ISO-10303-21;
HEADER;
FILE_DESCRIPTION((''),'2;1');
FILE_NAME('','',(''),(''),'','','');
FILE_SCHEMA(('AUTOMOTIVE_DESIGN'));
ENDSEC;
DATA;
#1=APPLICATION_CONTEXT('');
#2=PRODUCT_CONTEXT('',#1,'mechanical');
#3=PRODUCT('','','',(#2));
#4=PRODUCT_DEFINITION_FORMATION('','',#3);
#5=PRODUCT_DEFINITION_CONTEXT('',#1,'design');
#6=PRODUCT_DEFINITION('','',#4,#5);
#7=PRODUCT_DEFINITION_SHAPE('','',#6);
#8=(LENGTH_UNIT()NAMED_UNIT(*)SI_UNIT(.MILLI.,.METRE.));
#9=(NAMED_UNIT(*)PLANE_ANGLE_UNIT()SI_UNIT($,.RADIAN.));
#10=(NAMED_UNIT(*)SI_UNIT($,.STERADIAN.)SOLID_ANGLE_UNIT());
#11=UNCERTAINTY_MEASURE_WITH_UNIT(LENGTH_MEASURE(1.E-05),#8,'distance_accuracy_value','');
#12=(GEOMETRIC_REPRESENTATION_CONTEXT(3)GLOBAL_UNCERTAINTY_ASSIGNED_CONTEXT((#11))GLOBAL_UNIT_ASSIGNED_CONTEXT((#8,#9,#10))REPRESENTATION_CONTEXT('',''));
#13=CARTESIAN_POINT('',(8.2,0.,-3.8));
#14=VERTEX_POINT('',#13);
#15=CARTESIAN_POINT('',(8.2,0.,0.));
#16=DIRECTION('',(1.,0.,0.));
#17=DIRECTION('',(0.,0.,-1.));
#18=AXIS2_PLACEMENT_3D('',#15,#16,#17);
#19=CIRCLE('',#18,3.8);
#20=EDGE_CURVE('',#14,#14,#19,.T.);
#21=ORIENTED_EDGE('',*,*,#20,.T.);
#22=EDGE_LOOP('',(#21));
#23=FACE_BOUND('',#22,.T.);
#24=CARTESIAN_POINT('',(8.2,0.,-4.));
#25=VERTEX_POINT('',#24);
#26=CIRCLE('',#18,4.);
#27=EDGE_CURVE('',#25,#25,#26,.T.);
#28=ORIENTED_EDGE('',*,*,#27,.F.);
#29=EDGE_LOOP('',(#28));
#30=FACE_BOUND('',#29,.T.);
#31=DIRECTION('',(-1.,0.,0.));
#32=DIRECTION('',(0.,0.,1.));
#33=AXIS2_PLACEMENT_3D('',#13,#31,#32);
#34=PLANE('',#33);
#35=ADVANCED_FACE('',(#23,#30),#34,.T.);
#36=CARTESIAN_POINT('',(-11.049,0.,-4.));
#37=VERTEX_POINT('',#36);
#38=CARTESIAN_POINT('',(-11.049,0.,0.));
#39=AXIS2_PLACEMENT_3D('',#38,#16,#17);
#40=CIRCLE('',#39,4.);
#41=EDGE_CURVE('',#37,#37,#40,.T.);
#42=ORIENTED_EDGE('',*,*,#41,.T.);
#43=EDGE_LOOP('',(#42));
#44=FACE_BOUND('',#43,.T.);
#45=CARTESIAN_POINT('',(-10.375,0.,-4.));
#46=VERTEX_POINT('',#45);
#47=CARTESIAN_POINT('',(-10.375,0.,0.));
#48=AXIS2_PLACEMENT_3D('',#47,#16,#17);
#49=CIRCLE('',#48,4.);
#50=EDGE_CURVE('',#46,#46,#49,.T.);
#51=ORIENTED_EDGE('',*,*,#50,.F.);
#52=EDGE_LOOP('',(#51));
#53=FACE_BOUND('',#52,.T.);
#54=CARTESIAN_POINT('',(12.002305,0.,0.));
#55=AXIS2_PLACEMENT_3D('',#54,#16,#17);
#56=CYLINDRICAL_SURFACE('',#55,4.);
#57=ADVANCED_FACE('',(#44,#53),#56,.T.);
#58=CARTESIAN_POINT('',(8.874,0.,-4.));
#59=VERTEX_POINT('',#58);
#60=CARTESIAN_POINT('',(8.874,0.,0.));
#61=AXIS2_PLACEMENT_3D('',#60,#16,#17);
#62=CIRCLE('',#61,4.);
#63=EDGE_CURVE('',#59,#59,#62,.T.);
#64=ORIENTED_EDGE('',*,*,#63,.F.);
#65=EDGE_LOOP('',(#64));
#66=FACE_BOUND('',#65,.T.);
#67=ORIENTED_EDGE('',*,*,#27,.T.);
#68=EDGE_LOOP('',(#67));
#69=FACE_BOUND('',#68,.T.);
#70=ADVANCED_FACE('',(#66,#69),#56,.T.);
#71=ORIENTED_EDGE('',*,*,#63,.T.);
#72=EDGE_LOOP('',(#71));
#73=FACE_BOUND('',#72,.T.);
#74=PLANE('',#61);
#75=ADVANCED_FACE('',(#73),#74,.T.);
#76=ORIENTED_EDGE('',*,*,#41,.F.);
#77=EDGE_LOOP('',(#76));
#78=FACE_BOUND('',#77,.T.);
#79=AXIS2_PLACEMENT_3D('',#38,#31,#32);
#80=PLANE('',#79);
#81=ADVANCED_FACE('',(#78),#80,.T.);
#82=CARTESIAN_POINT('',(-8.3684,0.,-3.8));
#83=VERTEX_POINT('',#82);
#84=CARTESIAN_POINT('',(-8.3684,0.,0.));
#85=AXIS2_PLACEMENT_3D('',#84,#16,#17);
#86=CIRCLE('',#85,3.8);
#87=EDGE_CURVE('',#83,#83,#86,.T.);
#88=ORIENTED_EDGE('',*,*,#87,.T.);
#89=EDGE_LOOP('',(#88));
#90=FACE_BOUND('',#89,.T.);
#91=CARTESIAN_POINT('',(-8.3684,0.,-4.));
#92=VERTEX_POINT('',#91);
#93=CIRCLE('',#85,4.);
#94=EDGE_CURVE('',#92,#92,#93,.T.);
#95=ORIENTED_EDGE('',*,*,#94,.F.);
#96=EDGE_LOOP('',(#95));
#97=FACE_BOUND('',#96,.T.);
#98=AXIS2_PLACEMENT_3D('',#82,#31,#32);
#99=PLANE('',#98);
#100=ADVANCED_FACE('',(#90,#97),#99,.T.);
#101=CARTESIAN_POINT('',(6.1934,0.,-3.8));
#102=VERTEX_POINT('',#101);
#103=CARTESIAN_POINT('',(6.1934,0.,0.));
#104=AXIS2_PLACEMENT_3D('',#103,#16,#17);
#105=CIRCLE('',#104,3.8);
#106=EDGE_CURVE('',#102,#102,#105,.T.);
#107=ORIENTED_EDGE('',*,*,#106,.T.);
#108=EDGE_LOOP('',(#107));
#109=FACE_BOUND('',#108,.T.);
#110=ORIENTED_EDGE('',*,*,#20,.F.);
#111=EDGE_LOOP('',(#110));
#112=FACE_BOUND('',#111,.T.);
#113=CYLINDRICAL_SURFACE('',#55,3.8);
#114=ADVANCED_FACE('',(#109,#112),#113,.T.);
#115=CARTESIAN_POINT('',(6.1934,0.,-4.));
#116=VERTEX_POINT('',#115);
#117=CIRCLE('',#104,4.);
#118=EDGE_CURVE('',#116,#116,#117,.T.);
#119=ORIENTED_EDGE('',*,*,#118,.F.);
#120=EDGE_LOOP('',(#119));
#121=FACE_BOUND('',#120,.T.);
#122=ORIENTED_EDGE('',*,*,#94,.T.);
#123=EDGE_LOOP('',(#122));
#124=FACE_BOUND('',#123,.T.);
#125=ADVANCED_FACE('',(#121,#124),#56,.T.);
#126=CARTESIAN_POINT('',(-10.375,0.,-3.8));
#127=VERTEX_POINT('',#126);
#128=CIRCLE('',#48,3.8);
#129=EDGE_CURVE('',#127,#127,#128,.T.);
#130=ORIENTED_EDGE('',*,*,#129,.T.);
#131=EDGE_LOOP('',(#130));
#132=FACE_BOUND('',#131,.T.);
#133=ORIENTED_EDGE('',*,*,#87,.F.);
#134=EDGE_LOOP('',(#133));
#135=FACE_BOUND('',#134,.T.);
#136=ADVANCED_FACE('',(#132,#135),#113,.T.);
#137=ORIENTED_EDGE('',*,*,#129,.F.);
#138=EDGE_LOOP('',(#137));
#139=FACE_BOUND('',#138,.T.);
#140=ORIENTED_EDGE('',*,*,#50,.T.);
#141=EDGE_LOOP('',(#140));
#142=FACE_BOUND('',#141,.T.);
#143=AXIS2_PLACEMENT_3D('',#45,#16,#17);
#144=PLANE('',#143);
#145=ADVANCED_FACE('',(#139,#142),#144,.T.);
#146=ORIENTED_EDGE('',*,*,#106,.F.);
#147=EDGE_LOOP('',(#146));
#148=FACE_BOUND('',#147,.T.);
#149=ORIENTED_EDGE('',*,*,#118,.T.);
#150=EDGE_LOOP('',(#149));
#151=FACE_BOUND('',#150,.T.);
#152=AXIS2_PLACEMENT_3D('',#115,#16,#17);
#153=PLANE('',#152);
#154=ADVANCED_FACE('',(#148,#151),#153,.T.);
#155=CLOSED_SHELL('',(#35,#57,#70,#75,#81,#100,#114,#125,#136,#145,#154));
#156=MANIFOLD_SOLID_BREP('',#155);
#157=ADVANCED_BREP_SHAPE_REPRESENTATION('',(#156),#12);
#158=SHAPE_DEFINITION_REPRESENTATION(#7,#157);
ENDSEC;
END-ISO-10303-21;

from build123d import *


with BuildPart() as part:
    # Sketch1 → Revolve1 (revolve)
    with BuildSketch(Plane(origin=(0, 0, 0), x_dir=(1, 0, 0), z_dir=(0, 1, 0))):
        Polygon((8.874, 0), (8.874, 4), (8.2, 4), (8.2, 3.8), (6.1934, 3.8), (6.1934, 4), (-8.3684, 4), (-8.3684, 3.8), (-10.375, 3.8), (-10.375, 4), (-11.049, 4), (-11.049, 0), align=None)
    revolve(axis=Axis((12.002305384, 0, 0), (-1, 0, 0)))


solid = part.part
